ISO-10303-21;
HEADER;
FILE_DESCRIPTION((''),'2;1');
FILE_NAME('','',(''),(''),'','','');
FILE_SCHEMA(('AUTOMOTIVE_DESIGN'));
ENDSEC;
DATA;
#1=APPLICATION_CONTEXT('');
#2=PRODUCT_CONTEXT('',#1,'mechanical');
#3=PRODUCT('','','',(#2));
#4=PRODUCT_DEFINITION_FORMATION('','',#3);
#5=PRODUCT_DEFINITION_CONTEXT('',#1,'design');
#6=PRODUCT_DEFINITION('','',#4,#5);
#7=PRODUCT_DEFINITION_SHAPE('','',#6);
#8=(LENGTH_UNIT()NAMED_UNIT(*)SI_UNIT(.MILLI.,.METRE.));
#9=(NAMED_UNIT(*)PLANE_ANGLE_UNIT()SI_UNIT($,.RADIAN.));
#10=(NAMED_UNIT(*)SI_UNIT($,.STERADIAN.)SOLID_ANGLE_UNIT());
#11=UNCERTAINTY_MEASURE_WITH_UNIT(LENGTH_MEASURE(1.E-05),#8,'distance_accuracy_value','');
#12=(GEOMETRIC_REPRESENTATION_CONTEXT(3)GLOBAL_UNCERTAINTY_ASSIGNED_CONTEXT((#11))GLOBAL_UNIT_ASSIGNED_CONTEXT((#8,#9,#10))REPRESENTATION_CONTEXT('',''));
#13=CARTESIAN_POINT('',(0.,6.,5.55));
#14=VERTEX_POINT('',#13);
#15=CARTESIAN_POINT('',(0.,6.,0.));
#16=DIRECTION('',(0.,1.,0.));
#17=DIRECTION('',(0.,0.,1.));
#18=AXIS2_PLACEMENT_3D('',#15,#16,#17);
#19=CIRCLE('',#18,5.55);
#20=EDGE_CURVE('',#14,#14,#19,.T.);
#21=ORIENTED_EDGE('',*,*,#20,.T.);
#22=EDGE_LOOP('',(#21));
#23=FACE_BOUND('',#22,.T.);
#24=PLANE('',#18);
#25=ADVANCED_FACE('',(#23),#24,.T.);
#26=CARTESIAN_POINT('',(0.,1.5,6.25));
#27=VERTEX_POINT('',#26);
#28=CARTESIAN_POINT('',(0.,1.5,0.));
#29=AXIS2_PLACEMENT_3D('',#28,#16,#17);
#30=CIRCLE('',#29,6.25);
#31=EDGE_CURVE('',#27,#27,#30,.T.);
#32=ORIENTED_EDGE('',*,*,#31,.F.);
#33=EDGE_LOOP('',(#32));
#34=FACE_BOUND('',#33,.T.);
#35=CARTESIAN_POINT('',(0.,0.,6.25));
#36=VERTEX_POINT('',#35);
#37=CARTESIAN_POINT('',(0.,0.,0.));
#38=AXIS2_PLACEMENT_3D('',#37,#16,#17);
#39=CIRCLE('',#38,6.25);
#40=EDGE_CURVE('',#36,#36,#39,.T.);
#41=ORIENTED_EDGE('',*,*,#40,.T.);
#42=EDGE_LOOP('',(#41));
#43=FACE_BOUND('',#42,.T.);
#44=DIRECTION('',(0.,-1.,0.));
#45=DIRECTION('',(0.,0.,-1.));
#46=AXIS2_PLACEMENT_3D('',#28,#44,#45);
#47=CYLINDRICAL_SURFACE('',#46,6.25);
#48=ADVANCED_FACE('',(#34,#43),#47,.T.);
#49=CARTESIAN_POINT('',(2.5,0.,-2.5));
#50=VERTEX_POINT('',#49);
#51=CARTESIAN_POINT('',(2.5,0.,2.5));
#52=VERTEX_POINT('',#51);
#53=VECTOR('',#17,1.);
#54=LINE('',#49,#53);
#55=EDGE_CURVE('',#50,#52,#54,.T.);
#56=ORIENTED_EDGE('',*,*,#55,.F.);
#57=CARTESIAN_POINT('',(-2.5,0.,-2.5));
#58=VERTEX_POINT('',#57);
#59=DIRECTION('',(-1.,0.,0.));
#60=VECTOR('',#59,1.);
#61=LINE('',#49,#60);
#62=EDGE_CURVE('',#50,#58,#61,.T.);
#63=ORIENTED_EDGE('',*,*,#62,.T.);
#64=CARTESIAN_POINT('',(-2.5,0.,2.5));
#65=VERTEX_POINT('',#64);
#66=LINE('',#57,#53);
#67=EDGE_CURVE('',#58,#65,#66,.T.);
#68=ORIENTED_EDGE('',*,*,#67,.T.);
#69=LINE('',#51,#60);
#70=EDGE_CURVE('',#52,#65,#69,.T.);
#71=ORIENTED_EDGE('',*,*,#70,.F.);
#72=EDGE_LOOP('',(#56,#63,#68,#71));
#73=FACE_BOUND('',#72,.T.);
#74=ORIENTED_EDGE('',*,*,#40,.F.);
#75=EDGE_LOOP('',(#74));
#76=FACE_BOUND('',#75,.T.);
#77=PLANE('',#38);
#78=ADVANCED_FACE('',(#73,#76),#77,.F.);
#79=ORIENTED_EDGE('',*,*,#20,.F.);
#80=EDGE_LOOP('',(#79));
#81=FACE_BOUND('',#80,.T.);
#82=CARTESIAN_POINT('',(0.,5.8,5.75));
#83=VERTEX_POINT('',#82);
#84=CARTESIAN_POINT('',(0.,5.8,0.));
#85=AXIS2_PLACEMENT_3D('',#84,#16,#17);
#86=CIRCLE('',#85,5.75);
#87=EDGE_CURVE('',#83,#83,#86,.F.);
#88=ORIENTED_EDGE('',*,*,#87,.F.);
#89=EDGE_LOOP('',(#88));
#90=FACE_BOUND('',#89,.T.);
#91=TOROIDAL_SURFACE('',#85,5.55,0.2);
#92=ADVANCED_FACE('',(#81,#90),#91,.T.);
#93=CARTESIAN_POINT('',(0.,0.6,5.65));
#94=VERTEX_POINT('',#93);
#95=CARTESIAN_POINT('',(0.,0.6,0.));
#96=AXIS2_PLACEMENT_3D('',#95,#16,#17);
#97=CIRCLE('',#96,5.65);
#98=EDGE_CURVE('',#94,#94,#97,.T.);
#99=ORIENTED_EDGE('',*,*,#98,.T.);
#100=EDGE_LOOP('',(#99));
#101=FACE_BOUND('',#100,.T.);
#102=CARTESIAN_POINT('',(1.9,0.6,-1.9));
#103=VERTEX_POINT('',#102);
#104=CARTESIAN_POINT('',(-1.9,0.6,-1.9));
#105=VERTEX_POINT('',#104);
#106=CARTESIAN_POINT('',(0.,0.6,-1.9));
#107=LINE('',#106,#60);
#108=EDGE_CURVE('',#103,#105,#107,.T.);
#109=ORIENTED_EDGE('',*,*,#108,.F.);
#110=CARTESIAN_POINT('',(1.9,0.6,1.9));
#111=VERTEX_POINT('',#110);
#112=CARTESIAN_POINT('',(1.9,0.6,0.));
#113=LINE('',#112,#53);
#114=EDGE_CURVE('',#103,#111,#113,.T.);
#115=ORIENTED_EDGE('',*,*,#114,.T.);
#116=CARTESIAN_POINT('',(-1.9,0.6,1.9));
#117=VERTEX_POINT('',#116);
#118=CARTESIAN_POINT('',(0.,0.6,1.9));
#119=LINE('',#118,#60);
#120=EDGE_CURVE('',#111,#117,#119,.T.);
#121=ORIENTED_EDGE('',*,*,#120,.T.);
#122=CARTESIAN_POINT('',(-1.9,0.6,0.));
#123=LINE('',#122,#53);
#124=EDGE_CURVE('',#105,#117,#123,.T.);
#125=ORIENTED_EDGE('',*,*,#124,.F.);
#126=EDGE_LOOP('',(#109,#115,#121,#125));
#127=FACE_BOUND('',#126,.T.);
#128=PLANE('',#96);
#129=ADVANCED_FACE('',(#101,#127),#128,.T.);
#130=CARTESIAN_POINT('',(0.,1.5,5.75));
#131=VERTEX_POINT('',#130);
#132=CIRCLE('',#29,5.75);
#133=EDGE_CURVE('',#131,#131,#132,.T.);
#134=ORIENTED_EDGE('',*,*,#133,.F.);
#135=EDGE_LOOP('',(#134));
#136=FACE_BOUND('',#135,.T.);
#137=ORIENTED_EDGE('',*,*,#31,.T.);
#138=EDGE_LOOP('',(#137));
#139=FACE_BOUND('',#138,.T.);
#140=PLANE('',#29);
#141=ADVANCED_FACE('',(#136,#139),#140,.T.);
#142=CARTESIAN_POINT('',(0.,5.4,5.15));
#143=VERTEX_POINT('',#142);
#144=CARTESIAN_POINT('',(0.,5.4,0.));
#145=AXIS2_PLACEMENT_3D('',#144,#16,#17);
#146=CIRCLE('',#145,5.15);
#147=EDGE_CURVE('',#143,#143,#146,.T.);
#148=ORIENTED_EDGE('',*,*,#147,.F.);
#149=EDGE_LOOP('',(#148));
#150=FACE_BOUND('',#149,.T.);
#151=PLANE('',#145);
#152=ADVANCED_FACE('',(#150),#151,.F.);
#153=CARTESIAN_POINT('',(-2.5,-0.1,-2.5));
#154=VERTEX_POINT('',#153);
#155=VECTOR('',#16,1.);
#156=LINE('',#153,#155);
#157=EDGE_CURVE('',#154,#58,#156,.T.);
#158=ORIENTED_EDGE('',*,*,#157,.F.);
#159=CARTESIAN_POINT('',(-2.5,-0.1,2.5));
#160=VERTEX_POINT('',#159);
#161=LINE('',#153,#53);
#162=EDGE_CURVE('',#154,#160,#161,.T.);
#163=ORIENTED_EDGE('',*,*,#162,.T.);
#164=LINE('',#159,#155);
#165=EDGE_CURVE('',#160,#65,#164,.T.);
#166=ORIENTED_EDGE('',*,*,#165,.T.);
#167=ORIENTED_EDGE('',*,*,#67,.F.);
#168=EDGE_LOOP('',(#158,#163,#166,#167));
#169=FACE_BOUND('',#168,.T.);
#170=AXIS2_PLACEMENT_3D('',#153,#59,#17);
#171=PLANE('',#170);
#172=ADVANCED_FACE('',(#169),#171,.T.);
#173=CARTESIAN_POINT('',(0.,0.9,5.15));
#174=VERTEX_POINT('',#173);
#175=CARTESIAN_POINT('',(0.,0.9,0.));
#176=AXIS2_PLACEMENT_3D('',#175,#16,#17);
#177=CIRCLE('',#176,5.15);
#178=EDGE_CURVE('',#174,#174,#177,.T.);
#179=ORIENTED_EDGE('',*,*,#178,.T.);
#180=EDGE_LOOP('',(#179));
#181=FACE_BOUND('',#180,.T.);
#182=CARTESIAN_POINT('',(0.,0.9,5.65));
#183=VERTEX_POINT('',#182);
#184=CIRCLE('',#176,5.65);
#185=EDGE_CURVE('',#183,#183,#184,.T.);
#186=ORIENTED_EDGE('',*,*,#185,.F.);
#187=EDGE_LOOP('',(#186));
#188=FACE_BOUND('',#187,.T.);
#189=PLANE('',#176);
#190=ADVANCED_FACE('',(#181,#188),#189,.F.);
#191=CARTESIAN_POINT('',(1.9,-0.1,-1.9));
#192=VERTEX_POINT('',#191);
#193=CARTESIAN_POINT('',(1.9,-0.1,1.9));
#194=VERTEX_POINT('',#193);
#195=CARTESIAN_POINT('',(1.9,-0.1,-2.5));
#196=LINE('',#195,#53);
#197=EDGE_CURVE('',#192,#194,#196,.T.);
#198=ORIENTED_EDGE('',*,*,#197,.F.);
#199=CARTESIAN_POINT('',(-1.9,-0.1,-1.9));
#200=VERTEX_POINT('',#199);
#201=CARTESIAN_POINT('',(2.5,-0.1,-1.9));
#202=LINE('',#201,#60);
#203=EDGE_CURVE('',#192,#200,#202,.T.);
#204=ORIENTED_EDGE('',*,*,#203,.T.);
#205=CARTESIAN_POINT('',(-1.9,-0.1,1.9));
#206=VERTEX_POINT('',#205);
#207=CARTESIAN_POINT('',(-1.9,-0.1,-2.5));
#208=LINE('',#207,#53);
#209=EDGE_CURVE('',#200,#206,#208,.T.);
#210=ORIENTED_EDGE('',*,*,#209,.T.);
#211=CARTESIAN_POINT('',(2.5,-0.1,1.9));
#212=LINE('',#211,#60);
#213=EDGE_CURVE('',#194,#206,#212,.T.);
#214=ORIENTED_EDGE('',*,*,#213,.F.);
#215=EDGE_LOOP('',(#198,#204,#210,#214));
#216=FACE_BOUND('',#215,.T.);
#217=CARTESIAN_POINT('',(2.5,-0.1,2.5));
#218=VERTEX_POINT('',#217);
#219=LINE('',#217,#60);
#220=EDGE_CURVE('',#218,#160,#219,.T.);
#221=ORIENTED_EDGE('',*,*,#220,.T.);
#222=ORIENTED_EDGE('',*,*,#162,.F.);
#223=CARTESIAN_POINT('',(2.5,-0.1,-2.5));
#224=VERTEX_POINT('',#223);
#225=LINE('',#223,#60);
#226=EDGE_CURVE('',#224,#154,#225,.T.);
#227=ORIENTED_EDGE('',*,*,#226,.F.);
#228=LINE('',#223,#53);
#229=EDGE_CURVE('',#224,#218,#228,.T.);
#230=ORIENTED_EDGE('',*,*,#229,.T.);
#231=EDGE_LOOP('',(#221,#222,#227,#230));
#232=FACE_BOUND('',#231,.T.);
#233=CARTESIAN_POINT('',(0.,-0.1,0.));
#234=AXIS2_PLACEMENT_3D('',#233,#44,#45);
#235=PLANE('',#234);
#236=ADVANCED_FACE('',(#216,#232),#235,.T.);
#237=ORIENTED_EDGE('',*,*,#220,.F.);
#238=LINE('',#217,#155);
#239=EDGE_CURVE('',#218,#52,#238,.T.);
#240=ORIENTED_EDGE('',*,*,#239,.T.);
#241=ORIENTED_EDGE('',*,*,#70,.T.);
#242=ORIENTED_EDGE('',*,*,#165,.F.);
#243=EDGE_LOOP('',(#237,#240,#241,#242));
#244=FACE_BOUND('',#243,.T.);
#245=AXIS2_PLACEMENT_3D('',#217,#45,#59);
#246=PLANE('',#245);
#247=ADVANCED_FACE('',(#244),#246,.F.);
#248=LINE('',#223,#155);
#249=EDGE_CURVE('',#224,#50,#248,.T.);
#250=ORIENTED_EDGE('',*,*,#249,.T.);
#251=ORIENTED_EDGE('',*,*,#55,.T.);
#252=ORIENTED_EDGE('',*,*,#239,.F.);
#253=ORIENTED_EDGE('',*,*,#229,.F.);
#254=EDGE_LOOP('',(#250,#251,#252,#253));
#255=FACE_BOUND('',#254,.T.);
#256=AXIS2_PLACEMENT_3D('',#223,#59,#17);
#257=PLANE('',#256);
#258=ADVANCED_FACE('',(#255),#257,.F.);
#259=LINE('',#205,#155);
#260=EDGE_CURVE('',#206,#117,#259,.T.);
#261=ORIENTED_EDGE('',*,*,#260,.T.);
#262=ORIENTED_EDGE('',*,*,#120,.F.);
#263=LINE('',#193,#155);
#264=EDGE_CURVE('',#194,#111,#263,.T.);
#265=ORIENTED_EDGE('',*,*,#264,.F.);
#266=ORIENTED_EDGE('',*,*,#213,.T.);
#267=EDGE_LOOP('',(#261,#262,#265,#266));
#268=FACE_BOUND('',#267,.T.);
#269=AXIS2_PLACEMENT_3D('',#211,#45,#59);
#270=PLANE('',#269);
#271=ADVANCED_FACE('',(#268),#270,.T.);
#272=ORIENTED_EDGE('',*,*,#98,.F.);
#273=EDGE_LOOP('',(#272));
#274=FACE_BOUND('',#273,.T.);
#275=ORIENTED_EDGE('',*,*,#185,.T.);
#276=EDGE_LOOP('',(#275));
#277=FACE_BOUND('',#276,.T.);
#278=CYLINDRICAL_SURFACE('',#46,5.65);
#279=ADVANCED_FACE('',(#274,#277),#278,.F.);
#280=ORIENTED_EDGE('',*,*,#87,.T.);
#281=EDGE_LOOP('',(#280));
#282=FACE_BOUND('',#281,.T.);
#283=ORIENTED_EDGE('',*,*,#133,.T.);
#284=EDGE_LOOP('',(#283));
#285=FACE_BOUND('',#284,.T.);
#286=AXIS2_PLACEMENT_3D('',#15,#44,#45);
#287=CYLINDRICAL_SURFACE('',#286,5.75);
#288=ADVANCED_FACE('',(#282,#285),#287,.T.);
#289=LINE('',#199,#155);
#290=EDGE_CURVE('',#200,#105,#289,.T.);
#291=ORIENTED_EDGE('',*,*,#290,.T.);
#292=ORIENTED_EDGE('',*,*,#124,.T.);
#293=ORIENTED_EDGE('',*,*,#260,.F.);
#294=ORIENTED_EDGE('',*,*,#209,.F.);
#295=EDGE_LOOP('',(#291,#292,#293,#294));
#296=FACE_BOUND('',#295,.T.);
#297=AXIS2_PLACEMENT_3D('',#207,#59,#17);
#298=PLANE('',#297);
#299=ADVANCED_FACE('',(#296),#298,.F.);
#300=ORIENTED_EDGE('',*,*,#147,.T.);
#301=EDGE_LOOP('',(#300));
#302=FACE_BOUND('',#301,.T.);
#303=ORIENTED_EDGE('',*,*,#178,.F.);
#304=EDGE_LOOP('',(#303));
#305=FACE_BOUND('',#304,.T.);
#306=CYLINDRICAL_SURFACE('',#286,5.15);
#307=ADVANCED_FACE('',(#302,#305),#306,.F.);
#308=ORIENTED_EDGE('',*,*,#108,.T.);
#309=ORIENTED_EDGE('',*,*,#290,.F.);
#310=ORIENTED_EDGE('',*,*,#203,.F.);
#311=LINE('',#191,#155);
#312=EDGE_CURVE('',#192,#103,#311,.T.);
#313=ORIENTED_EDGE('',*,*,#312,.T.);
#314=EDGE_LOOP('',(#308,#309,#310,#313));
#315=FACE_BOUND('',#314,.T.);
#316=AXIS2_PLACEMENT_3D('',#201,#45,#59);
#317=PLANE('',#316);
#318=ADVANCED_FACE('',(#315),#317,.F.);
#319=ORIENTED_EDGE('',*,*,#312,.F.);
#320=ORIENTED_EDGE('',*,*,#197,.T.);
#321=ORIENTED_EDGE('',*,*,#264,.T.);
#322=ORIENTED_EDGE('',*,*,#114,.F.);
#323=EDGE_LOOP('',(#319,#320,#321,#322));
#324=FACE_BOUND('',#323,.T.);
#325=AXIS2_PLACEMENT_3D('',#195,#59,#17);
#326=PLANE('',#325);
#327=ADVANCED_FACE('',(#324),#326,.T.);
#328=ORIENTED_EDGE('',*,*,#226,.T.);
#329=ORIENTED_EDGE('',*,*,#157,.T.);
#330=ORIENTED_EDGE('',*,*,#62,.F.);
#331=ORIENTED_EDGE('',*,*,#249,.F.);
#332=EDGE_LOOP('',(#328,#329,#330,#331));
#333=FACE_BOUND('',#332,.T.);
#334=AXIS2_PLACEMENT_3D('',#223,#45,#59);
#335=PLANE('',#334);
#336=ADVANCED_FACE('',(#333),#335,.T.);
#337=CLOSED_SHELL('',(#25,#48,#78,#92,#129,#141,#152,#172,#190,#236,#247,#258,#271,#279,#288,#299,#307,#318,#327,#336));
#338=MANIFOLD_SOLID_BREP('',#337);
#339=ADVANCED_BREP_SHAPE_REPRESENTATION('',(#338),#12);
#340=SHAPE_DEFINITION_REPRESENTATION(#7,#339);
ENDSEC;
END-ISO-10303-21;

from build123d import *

# Parameters (mm, degrees)
SKETCH7_R           = 6.25
BOSS_EXTRUDE2_DEPTH = 1.5
SKETCH8_R           = 5.75
BOSS_EXTRUDE3_DEPTH = 4.5
FILLET4_R           = 0.2
SKETCH9_W           = 5
SKETCH9_H           = 5
BOSS_EXTRUDE4_DEPTH = 0.1
SHELL3_T            = -0.6


with BuildPart() as part:
    # Sketch7 → Boss-Extrude2 (new body)
    with BuildSketch(Plane(origin=(0, 0, 0), x_dir=(1, 0, 0), z_dir=(0, 1, 0))):
        with Locations(Location((0, 0, 0), (0, 0, 270))):
            Circle(SKETCH7_R)
    extrude(amount=BOSS_EXTRUDE2_DEPTH)

    # Sketch8 → Boss-Extrude3 (add)
    with BuildSketch(Plane(origin=(0, 1.5, 0), x_dir=(1, 0, 0), z_dir=(0, 1, 0))):
        with Locations(Location((0, 0, 0), (0, 0, 270))):
            Circle(SKETCH8_R)
    extrude(amount=BOSS_EXTRUDE3_DEPTH)

    # Fillet4
    fillet4_edges = [part.edges().sort_by_distance(p)[0] for p in [
        (0, 6, -5.75),
    ]]
    fillet(fillet4_edges, radius=FILLET4_R)

    # Sketch9 → Boss-Extrude4 (add)
    with BuildSketch(Plane.XZ):
        Rectangle(SKETCH9_W, SKETCH9_H)
    extrude(amount=BOSS_EXTRUDE4_DEPTH)

    # Shell3
    shell3_openings = [part.faces().sort_by_distance(p)[0] for p in [
        (0, -0.1, 0),
    ]]
    offset(amount=SHELL3_T, openings=shell3_openings, kind=Kind.INTERSECTION)


solid = part.part
